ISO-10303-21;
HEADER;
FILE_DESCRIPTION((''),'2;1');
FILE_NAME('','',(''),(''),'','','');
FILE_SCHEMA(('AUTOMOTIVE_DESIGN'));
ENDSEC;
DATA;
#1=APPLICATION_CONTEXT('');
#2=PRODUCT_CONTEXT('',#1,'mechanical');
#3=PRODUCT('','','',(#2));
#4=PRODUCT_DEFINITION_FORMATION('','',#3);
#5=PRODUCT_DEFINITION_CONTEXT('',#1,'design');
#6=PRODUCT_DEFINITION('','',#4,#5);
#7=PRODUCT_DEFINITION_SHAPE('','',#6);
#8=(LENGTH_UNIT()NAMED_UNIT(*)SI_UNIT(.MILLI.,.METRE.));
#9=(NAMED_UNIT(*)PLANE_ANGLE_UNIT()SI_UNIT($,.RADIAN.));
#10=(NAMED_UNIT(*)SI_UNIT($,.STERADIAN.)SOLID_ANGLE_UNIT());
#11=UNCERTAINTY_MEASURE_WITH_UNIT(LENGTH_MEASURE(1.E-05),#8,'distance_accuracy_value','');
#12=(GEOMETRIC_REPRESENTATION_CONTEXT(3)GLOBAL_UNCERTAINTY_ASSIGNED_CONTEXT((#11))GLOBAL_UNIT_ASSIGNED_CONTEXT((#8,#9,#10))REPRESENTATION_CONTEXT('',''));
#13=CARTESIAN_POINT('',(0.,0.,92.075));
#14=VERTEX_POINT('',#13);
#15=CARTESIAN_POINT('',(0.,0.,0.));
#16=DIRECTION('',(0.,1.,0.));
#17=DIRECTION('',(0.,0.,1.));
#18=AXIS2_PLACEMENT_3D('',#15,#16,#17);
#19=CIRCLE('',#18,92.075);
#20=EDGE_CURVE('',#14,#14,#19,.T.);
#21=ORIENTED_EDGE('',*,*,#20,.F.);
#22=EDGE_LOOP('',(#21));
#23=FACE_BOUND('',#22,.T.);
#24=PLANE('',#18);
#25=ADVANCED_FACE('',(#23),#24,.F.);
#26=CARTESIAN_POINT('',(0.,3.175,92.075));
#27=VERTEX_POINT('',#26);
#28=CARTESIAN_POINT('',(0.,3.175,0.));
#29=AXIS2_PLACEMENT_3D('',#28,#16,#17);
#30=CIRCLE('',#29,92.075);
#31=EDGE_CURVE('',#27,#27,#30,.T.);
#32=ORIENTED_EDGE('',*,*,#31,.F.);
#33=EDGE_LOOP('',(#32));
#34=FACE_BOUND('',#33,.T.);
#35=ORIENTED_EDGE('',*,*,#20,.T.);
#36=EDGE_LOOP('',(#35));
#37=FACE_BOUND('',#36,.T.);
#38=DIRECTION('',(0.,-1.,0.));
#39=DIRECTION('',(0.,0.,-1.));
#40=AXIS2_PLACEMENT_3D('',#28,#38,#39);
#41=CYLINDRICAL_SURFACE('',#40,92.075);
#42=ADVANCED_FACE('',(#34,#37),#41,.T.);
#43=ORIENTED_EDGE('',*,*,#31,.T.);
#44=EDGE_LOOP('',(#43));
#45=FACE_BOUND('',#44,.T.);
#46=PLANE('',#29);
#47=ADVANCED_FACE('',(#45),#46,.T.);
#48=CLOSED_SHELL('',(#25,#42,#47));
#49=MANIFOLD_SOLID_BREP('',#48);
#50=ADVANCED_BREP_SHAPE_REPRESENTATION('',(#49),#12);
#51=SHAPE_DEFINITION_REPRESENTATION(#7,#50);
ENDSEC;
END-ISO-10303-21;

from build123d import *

# Parameters (mm, degrees)
SKETCH1_R           = 92.075
BOSS_EXTRUDE1_DEPTH = 3.175


with BuildPart() as part:
    # Sketch1 → Boss-Extrude1 (new body)
    with BuildSketch(Plane(origin=(0, 0, 0), x_dir=(1, 0, 0), z_dir=(0, 1, 0))):
        with Locations(Location((0, 0, 0), (0, 0, 270))):
            Circle(SKETCH1_R)
    extrude(amount=BOSS_EXTRUDE1_DEPTH)


solid = part.part
